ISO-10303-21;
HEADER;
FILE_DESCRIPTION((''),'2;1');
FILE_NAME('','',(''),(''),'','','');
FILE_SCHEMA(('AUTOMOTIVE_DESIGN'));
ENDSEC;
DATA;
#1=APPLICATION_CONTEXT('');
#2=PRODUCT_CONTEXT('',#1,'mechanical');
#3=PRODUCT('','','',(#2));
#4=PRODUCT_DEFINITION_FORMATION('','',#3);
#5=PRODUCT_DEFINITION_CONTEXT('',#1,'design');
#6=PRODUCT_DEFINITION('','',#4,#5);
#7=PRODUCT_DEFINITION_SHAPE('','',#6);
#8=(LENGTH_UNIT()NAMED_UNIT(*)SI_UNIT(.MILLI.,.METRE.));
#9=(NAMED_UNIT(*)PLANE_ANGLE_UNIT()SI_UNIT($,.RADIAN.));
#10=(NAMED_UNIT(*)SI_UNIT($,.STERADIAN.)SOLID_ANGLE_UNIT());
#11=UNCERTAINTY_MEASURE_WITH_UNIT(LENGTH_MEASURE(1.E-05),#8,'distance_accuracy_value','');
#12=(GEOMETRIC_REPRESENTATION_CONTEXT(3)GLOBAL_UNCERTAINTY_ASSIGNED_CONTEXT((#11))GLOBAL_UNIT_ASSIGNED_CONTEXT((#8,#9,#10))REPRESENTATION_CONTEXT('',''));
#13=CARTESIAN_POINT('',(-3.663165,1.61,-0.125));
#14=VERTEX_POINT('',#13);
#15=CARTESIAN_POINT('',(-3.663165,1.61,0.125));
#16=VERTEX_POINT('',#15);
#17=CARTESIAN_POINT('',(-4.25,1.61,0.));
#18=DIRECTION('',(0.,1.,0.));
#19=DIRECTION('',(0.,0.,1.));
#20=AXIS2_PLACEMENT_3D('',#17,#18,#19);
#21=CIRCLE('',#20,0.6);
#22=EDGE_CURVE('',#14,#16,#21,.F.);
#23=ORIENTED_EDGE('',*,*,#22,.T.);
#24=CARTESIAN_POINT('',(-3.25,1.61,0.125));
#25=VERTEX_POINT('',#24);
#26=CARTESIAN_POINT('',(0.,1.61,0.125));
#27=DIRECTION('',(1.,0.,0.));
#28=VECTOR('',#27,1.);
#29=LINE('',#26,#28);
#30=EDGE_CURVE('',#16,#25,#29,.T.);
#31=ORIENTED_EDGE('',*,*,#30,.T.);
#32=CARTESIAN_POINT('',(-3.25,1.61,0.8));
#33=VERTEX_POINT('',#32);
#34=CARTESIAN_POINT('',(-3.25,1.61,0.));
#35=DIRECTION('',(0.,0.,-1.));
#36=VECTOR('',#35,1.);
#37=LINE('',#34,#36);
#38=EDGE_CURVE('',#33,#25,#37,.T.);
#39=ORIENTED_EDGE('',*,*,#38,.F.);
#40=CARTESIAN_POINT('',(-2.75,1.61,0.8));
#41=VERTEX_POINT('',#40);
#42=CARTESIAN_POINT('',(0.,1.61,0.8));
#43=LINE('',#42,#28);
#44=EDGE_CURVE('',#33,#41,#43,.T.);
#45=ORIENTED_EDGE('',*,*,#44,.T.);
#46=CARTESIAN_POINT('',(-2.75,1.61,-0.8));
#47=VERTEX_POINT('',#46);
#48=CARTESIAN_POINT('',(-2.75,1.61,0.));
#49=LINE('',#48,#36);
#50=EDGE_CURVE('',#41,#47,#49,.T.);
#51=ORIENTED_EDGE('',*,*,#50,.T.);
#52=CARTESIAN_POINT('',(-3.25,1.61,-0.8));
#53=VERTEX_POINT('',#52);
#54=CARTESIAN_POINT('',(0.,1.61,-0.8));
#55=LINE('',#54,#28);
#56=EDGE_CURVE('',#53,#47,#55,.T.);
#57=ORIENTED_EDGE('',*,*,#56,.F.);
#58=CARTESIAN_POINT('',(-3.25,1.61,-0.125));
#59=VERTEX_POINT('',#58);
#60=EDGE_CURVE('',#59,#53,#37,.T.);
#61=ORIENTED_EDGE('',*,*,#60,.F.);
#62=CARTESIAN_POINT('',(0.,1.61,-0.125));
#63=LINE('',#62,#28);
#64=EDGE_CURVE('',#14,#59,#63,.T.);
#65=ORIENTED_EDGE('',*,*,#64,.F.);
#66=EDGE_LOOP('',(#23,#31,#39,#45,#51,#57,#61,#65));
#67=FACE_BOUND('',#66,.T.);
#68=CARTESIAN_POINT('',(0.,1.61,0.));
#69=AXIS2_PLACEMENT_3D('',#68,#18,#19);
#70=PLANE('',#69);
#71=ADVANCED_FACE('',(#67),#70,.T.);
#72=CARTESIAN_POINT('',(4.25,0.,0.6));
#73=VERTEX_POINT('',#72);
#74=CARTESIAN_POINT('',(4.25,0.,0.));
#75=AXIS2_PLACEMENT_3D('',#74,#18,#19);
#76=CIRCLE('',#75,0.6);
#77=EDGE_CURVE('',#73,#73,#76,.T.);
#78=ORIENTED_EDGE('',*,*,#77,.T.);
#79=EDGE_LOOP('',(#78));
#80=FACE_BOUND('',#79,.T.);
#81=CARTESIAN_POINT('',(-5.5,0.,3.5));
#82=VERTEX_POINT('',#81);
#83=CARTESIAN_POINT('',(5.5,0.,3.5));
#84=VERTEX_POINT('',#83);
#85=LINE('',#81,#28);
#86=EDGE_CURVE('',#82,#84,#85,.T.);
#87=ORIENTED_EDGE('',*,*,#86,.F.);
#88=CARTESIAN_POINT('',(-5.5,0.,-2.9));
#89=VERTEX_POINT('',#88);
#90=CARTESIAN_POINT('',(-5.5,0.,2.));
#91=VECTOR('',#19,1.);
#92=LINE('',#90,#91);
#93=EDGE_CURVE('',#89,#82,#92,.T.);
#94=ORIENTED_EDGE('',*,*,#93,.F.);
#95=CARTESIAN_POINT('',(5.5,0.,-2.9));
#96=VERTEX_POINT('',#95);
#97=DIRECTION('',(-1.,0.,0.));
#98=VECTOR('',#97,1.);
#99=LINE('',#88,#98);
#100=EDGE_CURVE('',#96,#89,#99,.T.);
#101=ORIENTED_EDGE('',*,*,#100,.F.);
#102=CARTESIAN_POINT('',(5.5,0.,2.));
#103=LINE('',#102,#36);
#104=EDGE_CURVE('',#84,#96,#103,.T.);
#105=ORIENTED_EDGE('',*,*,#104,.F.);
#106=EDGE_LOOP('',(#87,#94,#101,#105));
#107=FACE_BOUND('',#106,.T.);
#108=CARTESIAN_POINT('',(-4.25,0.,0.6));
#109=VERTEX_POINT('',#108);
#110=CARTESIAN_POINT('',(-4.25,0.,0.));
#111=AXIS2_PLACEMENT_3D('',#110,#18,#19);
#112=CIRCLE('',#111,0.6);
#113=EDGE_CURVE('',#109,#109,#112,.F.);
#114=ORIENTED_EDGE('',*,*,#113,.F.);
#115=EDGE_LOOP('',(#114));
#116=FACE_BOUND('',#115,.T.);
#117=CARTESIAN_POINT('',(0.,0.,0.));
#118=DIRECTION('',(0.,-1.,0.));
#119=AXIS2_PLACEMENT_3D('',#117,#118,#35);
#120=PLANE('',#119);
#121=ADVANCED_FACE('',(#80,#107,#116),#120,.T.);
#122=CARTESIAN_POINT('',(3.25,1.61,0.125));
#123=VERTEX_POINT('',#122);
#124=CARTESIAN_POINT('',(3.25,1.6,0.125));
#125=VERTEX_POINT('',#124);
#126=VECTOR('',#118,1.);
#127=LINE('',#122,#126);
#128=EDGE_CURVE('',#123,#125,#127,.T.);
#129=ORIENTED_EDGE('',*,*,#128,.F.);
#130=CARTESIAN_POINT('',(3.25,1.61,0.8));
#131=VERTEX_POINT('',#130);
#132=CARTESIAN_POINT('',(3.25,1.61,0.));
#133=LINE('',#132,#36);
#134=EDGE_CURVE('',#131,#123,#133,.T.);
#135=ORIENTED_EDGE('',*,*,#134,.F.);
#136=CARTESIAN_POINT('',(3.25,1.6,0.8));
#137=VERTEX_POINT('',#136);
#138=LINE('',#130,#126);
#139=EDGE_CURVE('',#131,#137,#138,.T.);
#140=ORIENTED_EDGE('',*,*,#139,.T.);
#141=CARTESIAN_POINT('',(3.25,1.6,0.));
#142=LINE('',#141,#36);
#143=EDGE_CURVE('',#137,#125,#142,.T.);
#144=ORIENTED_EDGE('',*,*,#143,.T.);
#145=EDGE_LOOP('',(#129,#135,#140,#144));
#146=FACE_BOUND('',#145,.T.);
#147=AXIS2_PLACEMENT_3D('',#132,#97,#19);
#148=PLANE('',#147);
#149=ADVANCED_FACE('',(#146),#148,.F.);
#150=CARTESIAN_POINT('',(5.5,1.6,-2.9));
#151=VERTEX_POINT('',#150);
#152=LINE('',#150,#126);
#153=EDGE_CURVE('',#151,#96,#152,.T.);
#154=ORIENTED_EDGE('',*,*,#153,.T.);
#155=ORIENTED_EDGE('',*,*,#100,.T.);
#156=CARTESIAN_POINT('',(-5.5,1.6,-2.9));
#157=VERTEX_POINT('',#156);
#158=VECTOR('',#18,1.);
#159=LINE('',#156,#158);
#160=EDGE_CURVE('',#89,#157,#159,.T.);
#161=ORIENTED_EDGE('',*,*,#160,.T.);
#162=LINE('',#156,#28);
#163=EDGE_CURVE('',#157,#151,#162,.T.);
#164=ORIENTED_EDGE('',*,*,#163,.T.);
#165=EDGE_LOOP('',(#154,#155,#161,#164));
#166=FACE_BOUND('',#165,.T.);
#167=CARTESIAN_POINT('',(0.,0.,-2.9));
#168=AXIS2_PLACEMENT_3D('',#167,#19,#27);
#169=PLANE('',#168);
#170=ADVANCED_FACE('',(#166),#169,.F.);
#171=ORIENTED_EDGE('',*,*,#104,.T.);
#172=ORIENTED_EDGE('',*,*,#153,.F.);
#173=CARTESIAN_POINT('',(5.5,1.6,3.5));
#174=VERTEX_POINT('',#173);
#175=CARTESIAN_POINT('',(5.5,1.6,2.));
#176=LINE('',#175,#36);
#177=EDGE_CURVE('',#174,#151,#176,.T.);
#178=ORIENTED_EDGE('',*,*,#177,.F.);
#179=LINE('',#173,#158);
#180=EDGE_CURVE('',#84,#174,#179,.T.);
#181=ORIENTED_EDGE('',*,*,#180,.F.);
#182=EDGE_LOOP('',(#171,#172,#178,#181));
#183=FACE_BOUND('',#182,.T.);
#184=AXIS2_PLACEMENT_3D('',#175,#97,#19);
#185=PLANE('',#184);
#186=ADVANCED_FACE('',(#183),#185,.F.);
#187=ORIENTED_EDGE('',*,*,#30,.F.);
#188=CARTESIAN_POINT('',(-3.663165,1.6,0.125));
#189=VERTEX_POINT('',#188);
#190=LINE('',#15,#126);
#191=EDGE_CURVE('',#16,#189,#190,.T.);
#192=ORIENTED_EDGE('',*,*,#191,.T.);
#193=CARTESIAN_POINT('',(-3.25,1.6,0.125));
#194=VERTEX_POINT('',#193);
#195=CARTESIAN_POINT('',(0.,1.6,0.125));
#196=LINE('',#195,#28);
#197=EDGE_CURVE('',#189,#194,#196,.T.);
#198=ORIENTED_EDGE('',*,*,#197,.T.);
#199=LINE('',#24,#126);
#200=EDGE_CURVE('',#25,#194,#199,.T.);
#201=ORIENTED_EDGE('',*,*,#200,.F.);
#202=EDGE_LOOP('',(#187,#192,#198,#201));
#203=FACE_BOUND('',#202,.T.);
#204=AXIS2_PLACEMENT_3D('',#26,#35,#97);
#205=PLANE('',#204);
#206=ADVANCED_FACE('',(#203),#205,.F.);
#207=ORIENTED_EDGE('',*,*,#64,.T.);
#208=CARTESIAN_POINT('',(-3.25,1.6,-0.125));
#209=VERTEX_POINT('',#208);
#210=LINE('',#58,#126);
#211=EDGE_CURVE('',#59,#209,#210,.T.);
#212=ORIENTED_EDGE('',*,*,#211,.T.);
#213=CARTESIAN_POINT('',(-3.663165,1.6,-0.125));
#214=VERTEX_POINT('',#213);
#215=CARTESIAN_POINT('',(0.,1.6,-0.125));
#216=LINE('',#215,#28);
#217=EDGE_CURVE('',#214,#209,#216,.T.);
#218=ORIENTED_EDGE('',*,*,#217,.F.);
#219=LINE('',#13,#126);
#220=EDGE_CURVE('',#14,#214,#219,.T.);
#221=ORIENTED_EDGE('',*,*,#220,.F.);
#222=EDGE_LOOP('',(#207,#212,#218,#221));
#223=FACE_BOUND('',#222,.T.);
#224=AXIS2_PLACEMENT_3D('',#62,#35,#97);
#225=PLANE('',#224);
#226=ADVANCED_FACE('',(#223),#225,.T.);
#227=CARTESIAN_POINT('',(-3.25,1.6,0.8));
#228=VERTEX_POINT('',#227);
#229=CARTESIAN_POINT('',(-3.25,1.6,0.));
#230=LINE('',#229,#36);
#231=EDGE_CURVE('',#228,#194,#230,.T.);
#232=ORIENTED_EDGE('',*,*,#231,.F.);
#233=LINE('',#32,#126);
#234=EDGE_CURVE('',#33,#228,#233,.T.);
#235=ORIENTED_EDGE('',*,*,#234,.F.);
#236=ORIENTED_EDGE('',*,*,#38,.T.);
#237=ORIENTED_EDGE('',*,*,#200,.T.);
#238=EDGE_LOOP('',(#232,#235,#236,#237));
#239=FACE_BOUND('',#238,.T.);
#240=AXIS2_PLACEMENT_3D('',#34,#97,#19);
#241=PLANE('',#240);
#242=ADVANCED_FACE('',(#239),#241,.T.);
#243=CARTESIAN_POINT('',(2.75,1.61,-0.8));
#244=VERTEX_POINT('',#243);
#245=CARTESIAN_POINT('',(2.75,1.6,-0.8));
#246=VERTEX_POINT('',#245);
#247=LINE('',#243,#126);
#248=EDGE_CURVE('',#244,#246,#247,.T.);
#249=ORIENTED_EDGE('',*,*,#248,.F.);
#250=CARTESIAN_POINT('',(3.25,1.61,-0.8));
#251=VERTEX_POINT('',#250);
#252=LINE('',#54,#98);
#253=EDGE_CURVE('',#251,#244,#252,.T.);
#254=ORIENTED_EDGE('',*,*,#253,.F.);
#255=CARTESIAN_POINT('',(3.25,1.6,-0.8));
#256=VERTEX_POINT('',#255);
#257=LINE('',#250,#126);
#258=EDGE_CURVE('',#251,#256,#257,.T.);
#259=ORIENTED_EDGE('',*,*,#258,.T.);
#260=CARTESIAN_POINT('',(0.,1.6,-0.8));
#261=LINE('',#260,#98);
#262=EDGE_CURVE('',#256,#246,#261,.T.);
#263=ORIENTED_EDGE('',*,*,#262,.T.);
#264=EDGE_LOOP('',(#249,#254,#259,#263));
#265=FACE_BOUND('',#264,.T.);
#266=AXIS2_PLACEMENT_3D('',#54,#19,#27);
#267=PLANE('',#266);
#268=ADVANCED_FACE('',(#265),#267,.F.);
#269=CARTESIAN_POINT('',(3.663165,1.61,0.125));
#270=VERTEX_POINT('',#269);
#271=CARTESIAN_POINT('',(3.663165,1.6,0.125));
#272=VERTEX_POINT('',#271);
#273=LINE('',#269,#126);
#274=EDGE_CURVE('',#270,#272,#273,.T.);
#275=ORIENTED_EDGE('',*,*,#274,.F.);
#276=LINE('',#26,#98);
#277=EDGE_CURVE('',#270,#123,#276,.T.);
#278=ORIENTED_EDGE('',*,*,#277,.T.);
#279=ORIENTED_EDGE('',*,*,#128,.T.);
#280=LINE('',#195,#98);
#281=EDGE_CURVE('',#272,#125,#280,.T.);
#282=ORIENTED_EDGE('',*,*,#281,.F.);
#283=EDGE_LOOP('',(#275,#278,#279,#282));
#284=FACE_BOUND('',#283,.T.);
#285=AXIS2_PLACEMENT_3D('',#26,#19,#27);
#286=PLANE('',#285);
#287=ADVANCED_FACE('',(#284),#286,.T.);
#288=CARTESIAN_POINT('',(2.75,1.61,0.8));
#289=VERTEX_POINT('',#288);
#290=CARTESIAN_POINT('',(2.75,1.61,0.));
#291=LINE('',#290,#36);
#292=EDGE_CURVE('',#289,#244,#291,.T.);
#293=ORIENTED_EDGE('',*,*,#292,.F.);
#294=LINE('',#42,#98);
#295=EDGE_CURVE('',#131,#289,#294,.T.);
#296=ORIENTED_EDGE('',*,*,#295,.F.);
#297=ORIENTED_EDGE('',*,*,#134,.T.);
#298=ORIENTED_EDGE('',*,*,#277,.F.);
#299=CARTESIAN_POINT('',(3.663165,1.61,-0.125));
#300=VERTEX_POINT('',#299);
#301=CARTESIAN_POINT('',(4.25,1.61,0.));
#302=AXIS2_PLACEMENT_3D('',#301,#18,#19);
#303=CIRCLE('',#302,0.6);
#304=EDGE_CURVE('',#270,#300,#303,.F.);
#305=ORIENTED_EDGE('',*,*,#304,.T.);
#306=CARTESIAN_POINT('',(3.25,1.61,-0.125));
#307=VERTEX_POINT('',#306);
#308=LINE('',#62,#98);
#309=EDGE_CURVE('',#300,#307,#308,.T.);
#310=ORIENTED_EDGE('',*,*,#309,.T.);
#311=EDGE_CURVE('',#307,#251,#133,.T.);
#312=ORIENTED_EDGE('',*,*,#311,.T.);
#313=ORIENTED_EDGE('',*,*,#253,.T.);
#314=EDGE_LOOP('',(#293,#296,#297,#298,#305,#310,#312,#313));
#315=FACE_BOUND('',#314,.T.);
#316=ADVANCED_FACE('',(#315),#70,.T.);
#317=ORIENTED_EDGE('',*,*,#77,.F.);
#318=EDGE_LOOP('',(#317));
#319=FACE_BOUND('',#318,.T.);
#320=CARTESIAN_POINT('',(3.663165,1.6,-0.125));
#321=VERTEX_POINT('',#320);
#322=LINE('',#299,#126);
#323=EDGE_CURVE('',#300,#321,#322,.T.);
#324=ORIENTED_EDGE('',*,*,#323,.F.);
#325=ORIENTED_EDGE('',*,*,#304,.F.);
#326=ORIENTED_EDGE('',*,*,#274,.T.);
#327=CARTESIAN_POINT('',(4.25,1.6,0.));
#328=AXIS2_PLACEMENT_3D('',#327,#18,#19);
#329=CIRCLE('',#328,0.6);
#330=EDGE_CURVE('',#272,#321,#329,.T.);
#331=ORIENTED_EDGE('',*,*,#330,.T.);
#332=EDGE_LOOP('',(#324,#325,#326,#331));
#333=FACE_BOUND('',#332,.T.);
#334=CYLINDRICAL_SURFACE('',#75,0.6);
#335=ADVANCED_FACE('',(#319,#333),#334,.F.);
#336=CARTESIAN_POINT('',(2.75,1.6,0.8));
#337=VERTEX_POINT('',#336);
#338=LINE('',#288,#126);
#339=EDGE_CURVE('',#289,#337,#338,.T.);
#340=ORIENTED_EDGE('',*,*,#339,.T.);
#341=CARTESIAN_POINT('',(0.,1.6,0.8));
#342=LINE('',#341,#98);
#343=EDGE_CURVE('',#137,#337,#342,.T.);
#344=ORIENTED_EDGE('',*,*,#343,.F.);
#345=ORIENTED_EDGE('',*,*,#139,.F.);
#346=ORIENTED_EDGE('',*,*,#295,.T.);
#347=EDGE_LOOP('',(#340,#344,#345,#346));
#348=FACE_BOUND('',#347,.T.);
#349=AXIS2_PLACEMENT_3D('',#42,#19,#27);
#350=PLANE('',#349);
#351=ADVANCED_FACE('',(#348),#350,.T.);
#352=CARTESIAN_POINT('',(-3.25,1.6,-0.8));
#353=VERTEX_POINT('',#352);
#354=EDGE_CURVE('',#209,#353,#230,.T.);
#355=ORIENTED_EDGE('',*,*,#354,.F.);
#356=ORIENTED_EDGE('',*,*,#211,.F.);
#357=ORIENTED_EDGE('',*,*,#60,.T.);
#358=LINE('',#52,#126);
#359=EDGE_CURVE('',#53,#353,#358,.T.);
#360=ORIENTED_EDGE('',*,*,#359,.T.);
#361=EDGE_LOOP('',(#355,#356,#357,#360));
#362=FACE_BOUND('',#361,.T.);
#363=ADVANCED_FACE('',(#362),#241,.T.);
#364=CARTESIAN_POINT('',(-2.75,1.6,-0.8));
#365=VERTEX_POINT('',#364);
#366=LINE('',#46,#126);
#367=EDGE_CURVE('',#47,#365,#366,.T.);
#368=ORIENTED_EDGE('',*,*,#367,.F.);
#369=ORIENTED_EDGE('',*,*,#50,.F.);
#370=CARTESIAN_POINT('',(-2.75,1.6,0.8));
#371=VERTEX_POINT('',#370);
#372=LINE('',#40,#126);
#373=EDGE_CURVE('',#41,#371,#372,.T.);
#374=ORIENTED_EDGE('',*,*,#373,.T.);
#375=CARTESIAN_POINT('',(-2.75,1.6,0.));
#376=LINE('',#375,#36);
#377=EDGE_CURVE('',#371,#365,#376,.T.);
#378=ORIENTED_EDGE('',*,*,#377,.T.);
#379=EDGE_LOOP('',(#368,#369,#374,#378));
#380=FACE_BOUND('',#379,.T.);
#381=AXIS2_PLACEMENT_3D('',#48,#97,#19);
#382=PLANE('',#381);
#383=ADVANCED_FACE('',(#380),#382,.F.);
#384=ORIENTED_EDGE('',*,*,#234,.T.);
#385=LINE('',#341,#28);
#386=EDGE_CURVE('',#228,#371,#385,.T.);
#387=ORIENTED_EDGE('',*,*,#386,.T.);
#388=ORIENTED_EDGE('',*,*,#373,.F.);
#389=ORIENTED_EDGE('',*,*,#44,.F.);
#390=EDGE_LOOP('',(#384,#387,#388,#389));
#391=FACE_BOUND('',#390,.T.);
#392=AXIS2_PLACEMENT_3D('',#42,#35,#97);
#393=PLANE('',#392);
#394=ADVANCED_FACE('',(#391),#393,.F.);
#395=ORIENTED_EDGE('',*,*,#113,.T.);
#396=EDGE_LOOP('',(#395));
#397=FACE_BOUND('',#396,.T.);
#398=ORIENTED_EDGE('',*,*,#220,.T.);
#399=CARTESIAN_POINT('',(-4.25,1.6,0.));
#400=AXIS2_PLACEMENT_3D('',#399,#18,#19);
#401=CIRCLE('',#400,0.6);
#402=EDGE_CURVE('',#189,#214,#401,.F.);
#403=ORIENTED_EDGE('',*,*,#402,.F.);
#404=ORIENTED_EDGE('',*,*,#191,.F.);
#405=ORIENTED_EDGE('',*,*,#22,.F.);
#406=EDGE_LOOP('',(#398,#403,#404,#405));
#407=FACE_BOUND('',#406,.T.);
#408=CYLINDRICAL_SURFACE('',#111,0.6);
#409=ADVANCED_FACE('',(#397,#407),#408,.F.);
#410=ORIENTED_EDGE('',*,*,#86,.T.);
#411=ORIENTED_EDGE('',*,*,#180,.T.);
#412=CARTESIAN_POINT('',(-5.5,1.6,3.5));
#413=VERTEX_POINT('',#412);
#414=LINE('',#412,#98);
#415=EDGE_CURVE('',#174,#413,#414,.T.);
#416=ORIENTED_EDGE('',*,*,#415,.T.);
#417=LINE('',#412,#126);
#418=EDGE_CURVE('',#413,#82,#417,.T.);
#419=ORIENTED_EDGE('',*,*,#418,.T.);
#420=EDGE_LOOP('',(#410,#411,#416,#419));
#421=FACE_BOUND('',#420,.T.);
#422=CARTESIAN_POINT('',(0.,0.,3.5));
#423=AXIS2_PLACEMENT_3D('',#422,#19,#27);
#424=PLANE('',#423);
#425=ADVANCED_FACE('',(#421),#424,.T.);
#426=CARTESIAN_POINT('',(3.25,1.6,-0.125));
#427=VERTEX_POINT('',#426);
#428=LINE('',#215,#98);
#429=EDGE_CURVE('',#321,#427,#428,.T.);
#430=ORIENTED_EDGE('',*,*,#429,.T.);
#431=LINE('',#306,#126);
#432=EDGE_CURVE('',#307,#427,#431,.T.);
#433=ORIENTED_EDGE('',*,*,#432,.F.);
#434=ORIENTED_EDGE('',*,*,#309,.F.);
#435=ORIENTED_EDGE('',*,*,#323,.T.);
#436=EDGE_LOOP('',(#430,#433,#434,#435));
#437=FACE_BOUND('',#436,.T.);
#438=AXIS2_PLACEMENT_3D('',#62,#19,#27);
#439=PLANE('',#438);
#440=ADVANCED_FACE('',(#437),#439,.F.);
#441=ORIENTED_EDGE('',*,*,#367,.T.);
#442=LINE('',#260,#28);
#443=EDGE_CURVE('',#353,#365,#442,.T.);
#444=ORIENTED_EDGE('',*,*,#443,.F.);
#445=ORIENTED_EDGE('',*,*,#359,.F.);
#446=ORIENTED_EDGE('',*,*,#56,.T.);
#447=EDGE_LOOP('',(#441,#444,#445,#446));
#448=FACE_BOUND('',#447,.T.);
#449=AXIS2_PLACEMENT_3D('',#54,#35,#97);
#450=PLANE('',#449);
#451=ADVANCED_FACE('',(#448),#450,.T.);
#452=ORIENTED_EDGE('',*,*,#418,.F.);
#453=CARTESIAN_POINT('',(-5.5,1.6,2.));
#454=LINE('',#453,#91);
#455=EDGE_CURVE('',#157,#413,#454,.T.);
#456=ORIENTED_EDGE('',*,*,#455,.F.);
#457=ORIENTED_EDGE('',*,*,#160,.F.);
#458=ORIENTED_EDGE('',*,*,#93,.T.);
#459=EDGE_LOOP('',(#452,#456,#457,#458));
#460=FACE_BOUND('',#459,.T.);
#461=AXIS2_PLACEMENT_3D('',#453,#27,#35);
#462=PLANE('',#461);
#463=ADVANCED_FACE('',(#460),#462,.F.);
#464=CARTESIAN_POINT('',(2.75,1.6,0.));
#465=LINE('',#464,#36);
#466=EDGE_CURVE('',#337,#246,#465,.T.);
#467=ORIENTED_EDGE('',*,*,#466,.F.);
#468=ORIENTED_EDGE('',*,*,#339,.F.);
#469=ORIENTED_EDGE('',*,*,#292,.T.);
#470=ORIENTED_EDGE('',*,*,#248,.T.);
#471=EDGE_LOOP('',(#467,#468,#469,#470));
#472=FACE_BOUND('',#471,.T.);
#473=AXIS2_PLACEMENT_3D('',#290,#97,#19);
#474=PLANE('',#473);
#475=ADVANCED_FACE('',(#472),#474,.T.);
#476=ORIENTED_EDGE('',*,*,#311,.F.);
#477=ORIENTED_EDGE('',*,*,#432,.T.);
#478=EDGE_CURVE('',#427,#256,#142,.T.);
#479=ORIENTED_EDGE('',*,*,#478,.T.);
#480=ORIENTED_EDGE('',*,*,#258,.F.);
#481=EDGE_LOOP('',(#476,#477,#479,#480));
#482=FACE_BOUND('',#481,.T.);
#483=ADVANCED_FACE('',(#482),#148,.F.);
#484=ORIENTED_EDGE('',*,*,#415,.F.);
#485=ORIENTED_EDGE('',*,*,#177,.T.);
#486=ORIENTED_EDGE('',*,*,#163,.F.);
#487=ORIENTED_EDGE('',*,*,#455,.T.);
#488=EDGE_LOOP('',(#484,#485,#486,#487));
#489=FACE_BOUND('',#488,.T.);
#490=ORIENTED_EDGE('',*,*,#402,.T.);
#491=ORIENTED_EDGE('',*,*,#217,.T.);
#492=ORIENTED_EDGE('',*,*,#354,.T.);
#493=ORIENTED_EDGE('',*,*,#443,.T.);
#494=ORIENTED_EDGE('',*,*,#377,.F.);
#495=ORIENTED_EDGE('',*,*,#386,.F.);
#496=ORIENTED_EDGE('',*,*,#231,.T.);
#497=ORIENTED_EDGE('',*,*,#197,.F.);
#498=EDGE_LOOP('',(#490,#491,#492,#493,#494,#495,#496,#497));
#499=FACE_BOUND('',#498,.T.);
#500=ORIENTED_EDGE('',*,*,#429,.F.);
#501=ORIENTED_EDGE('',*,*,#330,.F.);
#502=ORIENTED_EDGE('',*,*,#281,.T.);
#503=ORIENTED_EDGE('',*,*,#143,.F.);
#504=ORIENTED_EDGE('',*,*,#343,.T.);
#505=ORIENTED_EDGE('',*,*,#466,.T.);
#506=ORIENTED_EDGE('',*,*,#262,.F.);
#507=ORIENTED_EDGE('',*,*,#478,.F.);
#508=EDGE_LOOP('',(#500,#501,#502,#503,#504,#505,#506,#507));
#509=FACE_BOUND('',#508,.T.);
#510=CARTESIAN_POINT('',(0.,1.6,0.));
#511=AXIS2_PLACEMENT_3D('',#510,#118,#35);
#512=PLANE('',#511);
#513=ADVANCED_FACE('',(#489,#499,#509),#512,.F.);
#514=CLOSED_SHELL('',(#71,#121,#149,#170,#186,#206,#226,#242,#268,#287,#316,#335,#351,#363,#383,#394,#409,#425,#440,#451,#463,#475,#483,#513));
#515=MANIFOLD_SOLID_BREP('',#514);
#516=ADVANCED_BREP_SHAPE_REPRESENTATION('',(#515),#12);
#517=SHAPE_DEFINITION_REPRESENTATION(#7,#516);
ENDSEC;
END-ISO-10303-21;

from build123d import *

# Parameters (mm, degrees)
SKETCH1_W           = 11
SKETCH1_H           = 4
BOSS_EXTRUDE1_DEPTH = 1.6
SKETCH3_R           = 0.6
CUT_EXTRUDE1_DEPTH  = 1.6
SKETCH2_W           = 0.5
SKETCH2_H           = 1.6
BOSS_EXTRUDE2_DEPTH = 0.01
BOSS_EXTRUDE3_DEPTH = 0.01
SKETCH5_W           = 11
SKETCH5_H           = 1.6
BOSS_EXTRUDE4_DEPTH = 1.5
SKETCH6_W           = 11
SKETCH6_H           = 1.6
BOSS_EXTRUDE5_DEPTH = 0.9


with BuildPart() as part:
    # Sketch1 → Boss-Extrude1 (new body)
    with BuildSketch(Plane(origin=(0, 0, 0), x_dir=(1, 0, 0), z_dir=(0, 1, 0))):
        Rectangle(SKETCH1_W, SKETCH1_H)
    extrude(amount=BOSS_EXTRUDE1_DEPTH)

    # Sketch3 → Cut-Extrude1 (cut)
    with BuildSketch(Plane(origin=(0, 1.6, 0), x_dir=(1, 0, 0), z_dir=(0, 1, 0))):
        with Locations((4.25, 0)):
            Circle(SKETCH3_R)
        with Locations((-4.25, 0)):
            Circle(SKETCH3_R)
    extrude(amount=-CUT_EXTRUDE1_DEPTH, mode=Mode.SUBTRACT)

    # Sketch2 → Boss-Extrude2 (add)
    with BuildSketch(Plane(origin=(0, 1.6, 0), x_dir=(1, 0, 0), z_dir=(0, 1, 0))):
        with Locations((-3, 0)):
            Rectangle(SKETCH2_W, SKETCH2_H)
        with Locations((3, 0)):
            Rectangle(SKETCH2_W, SKETCH2_H)
    extrude(amount=BOSS_EXTRUDE2_DEPTH)

    # Sketch4 → Boss-Extrude3 (add)
    with BuildSketch(Plane(origin=(0, 1.6, 0), x_dir=(1, 0, 0), z_dir=(0, 1, 0))):
        with BuildLine():
            Line((3.25, -0.125), (3.663165, -0.125))
            ThreePointArc((3.663165, -0.125), (3.65, 0), (3.663165, 0.125))
            Line((3.663165, 0.125), (3.25, 0.125))
            Line((3.25, 0.125), (3.25, -0.125))
        make_face()
        with BuildLine():
            Line((-3.25, 0.125), (-3.663165, 0.125))
            ThreePointArc((-3.663165, 0.125), (-3.6533, 0.062846), (-3.65, 0))
            ThreePointArc((-3.65, 0), (-3.6533, -0.062846), (-3.663165, -0.125))
            Line((-3.663165, -0.125), (-3.25, -0.125))
            Line((-3.25, -0.125), (-3.25, 0.125))
        make_face()
    extrude(amount=BOSS_EXTRUDE3_DEPTH)

    # Sketch5 → Boss-Extrude4 (add)
    with BuildSketch(Plane.XY.offset(2)):
        with Locations((0, 0.8)):
            Rectangle(SKETCH5_W, SKETCH5_H)
    extrude(amount=BOSS_EXTRUDE4_DEPTH)

    # Sketch6 → Boss-Extrude5 (add)
    with BuildSketch(Plane(origin=(0, 0, -2), x_dir=(-1, 0, 0), z_dir=(0, 0, -1))):
        with Locations((0, 0.8)):
            Rectangle(SKETCH6_W, SKETCH6_H)
    extrude(amount=BOSS_EXTRUDE5_DEPTH)


solid = part.part
